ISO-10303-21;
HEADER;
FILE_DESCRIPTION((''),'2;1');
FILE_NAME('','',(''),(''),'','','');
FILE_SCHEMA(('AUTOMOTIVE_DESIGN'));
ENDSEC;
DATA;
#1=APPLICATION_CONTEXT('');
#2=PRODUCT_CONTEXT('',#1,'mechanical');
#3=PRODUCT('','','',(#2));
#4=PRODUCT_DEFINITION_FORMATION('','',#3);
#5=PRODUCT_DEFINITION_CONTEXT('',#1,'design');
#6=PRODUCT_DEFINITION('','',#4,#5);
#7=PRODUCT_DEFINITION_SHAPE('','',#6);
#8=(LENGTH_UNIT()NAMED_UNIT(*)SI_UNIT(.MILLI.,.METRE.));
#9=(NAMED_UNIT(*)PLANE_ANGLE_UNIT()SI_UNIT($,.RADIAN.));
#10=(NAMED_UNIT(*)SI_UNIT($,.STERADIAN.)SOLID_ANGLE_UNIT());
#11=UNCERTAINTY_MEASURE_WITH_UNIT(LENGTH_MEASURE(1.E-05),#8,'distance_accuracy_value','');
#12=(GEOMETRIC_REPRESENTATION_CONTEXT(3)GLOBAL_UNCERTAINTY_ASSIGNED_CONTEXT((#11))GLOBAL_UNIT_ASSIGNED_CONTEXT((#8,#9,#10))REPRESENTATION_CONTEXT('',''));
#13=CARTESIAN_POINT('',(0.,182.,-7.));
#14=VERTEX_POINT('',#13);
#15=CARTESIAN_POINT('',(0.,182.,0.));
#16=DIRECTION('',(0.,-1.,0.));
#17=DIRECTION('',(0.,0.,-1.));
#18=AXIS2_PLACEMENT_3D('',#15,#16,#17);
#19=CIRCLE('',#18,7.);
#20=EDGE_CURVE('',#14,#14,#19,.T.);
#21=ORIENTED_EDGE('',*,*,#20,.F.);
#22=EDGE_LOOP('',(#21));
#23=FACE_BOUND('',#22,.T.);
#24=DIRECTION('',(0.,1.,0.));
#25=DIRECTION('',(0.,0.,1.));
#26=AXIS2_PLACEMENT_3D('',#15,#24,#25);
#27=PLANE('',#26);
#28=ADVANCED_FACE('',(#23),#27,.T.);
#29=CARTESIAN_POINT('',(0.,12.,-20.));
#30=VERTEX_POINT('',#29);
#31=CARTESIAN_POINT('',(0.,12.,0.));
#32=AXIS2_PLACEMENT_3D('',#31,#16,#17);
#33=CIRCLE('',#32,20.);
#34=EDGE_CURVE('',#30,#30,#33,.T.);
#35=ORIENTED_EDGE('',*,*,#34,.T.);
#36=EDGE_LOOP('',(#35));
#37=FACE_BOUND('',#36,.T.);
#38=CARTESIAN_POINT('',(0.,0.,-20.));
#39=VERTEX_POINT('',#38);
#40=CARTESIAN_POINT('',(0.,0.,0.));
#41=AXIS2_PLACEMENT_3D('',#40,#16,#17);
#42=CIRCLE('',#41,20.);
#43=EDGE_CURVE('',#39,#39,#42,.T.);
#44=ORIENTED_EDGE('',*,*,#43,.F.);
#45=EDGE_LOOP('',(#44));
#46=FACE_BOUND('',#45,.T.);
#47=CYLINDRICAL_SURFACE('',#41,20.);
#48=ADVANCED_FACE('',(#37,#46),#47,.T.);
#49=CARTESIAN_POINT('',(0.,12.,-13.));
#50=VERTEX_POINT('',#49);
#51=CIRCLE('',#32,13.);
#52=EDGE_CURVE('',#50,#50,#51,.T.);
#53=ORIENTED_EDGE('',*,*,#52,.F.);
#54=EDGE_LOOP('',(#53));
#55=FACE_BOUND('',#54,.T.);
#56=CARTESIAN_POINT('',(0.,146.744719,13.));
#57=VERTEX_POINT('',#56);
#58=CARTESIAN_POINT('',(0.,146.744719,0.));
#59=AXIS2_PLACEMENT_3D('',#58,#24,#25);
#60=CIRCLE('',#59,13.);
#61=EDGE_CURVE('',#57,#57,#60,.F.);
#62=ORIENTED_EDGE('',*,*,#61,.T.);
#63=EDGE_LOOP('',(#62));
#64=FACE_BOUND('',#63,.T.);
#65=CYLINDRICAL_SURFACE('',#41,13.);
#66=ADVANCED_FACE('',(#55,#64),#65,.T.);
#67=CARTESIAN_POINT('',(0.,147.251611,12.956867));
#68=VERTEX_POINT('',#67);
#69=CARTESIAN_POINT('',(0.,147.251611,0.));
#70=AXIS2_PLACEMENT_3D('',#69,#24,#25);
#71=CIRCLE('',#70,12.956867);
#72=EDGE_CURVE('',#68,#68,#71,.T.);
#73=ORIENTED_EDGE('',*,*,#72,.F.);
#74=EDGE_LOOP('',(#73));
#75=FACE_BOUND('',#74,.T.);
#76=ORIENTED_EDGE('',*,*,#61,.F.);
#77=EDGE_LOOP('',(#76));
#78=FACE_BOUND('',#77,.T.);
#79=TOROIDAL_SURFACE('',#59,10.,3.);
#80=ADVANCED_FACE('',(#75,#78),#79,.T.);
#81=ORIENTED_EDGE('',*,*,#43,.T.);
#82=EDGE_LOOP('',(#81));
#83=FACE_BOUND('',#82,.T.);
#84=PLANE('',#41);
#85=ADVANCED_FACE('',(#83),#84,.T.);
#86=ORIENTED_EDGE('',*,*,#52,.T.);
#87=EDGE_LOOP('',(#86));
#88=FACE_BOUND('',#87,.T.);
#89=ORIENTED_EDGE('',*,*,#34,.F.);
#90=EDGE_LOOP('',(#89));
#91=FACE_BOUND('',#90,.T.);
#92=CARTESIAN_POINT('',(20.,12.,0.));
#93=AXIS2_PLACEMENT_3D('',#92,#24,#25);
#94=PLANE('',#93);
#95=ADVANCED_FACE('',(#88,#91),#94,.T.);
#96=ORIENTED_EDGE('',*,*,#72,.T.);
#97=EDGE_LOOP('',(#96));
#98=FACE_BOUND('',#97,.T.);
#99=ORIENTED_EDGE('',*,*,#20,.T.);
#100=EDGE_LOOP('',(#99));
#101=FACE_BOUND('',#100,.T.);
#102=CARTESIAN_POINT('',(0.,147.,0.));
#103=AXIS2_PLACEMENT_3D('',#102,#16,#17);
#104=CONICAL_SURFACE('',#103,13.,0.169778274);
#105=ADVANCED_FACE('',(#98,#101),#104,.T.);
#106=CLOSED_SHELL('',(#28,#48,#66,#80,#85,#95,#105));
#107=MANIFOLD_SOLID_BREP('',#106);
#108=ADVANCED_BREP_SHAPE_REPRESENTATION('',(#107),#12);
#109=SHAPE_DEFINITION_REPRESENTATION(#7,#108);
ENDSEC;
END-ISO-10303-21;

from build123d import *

# Parameters (mm, degrees)
FILLET_1_R = 3


with BuildPart() as part:
    # 草图1 → Revolve 333 (revolve)
    with BuildSketch(Plane.XY, mode=Mode.PRIVATE) as revolve_333_sk:
        Polygon((0, 0), (20, 0), (20, 12), (13, 12), (13, 147), (7, 182), (0, 182), align=None)
    revolve(revolve_333_sk.sketch.rotate(Axis((0, 0, 0), (0, 1, 0)), 90), axis=Axis((0, 0, 0), (0, 1, 0)))

    # 圆角1
    fillet_1_edges = [part.edges().sort_by_distance(p)[0] for p in [
        (0, 147, 13),
    ]]
    fillet(fillet_1_edges, radius=FILLET_1_R)


solid = part.part
